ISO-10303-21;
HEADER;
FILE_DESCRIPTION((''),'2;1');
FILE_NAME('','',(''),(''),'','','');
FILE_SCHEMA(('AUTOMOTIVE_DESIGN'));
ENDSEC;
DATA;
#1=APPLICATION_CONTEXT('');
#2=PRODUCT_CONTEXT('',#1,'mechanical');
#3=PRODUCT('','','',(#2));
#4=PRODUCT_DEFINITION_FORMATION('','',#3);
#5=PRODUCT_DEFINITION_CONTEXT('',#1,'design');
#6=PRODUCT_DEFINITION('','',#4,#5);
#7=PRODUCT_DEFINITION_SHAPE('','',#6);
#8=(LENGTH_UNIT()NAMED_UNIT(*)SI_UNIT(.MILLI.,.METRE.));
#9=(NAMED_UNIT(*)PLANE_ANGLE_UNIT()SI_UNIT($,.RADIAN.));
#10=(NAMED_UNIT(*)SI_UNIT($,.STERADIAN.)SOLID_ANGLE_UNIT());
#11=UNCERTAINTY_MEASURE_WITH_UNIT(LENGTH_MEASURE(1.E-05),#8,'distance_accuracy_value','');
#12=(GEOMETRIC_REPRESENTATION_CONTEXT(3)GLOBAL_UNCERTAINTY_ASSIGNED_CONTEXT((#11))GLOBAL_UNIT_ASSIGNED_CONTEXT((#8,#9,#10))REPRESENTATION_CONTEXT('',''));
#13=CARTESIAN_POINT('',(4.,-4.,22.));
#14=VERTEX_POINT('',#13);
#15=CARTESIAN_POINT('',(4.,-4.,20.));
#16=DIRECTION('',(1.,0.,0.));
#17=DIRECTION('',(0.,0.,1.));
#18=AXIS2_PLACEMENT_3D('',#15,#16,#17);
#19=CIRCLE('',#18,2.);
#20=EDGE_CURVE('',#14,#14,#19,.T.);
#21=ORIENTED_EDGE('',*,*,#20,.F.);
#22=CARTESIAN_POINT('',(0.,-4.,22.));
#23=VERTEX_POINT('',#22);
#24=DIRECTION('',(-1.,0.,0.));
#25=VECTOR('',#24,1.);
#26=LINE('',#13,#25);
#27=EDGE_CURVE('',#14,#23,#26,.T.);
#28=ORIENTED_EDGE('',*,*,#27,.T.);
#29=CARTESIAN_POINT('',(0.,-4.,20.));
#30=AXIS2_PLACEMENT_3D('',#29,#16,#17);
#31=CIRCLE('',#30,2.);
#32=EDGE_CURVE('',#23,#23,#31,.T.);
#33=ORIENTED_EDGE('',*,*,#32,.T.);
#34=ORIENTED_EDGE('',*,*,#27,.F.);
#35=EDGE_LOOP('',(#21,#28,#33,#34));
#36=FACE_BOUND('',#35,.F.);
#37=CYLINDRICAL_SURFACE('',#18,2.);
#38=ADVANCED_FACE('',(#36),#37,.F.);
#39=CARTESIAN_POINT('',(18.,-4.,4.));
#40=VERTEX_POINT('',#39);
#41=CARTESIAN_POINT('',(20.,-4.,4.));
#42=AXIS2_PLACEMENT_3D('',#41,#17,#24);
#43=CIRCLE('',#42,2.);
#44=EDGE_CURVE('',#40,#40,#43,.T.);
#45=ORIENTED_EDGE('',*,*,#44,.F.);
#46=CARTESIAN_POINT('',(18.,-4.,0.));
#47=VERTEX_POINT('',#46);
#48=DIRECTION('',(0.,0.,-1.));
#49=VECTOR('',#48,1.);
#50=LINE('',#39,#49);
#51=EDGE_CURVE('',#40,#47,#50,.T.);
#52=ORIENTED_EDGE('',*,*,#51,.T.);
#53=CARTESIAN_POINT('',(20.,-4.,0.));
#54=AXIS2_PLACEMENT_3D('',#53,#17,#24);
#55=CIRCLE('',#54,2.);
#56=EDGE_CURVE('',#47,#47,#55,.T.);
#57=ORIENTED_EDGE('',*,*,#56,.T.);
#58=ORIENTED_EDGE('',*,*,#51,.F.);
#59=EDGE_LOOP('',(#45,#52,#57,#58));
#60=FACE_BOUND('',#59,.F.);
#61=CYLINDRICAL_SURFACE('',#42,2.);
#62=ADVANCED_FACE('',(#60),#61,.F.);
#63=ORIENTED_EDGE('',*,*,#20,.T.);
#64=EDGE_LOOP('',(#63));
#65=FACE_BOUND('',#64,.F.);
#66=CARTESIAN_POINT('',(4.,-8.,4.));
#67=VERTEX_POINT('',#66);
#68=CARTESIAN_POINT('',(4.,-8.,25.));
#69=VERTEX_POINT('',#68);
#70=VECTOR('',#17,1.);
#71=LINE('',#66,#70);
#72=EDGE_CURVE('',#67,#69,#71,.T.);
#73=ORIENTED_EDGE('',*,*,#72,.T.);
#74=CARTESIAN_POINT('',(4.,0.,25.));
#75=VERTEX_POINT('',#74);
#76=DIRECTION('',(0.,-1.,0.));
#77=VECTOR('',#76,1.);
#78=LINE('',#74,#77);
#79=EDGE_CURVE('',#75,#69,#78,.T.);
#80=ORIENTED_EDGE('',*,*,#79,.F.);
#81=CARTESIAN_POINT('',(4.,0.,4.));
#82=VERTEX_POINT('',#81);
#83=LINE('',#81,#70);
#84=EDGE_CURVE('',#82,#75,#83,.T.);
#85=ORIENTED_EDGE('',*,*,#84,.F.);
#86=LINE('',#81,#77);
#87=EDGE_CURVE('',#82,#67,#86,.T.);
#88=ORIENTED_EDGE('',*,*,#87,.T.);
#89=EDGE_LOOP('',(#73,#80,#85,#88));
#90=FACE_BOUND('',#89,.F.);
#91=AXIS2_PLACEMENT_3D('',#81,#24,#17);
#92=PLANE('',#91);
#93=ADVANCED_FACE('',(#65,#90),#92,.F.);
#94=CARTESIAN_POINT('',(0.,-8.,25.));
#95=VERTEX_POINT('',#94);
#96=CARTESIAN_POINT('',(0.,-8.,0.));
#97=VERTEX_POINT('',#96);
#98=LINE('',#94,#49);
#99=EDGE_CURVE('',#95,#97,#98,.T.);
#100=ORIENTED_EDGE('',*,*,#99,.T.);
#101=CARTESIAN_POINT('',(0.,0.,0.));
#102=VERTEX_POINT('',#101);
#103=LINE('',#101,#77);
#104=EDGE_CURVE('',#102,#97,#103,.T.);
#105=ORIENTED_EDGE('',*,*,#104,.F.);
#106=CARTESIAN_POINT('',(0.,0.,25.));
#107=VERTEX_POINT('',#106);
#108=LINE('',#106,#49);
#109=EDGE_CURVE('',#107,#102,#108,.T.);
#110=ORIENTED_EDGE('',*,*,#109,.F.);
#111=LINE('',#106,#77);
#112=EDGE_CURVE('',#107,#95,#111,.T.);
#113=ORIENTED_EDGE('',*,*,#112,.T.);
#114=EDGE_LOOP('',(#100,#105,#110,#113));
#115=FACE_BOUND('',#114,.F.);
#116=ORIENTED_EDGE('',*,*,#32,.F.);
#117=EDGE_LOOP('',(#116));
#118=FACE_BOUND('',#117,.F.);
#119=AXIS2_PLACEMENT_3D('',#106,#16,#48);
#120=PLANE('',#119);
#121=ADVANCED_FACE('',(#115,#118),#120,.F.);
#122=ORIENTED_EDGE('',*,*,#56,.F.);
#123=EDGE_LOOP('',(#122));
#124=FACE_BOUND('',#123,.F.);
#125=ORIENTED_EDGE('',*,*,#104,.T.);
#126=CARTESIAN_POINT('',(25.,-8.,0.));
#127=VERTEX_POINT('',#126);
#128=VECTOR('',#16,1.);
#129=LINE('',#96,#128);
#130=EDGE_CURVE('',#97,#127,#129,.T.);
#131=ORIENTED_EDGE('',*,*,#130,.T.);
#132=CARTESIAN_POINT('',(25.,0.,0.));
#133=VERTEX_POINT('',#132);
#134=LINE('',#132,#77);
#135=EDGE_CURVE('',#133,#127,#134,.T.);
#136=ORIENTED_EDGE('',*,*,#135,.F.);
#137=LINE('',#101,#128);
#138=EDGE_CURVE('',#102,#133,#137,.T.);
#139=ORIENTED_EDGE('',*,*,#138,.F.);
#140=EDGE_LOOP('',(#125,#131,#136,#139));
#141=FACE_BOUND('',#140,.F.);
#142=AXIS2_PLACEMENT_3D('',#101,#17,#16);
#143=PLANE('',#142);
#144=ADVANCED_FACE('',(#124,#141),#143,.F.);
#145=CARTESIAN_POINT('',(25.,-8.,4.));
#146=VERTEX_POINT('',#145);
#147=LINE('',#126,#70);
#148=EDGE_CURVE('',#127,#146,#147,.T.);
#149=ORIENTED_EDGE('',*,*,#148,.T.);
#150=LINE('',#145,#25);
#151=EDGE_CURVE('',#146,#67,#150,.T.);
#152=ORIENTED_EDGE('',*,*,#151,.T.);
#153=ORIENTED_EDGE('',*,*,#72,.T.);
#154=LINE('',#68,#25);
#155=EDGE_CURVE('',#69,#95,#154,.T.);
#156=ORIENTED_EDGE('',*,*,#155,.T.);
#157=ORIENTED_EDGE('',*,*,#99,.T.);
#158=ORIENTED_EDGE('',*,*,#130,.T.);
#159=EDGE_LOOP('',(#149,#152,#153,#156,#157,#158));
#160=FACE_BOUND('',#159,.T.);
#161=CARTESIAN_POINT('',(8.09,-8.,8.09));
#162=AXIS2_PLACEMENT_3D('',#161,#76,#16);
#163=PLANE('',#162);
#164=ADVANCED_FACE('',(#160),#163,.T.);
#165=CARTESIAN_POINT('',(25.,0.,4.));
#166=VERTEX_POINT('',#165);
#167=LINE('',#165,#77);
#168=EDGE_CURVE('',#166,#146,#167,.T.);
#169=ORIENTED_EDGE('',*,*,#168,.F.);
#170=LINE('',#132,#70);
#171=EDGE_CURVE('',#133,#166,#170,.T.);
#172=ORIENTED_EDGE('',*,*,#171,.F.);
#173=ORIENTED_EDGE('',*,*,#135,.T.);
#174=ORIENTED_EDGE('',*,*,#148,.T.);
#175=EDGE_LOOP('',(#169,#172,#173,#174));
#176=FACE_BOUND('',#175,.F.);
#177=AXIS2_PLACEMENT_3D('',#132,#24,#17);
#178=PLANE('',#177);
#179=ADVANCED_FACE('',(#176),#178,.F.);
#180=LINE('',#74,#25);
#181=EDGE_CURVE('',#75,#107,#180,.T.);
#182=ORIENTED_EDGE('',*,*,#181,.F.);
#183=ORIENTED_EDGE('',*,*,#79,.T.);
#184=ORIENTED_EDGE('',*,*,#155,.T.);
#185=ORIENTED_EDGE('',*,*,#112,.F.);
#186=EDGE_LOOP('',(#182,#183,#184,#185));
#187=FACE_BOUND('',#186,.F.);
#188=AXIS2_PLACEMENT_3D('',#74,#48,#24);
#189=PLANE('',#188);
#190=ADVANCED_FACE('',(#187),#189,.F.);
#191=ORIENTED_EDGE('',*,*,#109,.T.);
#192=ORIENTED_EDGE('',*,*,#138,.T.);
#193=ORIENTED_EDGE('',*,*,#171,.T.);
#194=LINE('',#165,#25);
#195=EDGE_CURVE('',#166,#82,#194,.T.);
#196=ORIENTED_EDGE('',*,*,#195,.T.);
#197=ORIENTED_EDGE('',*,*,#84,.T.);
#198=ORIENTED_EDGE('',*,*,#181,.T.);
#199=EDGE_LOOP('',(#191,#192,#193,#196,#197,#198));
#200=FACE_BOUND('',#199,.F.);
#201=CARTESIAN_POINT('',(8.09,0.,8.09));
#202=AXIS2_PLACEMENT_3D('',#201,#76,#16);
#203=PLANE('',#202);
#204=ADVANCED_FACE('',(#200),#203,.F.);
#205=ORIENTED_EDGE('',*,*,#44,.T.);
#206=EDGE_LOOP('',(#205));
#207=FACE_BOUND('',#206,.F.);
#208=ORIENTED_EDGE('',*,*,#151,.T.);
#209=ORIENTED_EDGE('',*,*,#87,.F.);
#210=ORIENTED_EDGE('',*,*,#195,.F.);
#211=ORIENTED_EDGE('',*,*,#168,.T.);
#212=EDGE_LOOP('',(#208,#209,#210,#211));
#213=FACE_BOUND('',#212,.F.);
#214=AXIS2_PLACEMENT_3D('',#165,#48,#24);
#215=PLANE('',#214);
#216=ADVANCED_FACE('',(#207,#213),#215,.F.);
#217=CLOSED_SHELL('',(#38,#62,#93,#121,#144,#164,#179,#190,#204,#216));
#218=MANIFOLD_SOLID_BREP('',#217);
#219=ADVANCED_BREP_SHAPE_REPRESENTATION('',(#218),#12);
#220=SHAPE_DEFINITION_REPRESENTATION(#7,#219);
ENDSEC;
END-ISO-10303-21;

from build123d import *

# Parameters (mm, degrees)
PAD_DEPTH       = 8
SKETCH001_R     = 2
POCKET_DEPTH    = 5
SKETCH002_R     = 2
POCKET001_DEPTH = 5


with BuildPart() as part:
    # Sketch → Pad (new body)
    with BuildSketch(Plane.XZ):
        Polygon((4, 4), (4, 25), (0, 25), (0, 0), (25, 0), (25, 4), align=None)
    extrude(amount=PAD_DEPTH)

    # Sketch001 (on Face6 of Pad) → Pocket (cut)
    with BuildSketch(Plane(origin=(0, 0, 4), x_dir=(-1, 0, 0), z_dir=(0, 0, 1))):
        with Locations((-20, 4)):
            Circle(SKETCH001_R)
    extrude(amount=-POCKET_DEPTH, mode=Mode.SUBTRACT)

    # Sketch002 (on Face1 of Pocket) → Pocket001 (cut)
    with BuildSketch(Plane(origin=(4, 0, 0), x_dir=(0, 0, 1), z_dir=(1, 0, 0))):
        with Locations((20, 4)):
            Circle(SKETCH002_R)
    extrude(amount=-POCKET001_DEPTH, mode=Mode.SUBTRACT)


solid = part.part
